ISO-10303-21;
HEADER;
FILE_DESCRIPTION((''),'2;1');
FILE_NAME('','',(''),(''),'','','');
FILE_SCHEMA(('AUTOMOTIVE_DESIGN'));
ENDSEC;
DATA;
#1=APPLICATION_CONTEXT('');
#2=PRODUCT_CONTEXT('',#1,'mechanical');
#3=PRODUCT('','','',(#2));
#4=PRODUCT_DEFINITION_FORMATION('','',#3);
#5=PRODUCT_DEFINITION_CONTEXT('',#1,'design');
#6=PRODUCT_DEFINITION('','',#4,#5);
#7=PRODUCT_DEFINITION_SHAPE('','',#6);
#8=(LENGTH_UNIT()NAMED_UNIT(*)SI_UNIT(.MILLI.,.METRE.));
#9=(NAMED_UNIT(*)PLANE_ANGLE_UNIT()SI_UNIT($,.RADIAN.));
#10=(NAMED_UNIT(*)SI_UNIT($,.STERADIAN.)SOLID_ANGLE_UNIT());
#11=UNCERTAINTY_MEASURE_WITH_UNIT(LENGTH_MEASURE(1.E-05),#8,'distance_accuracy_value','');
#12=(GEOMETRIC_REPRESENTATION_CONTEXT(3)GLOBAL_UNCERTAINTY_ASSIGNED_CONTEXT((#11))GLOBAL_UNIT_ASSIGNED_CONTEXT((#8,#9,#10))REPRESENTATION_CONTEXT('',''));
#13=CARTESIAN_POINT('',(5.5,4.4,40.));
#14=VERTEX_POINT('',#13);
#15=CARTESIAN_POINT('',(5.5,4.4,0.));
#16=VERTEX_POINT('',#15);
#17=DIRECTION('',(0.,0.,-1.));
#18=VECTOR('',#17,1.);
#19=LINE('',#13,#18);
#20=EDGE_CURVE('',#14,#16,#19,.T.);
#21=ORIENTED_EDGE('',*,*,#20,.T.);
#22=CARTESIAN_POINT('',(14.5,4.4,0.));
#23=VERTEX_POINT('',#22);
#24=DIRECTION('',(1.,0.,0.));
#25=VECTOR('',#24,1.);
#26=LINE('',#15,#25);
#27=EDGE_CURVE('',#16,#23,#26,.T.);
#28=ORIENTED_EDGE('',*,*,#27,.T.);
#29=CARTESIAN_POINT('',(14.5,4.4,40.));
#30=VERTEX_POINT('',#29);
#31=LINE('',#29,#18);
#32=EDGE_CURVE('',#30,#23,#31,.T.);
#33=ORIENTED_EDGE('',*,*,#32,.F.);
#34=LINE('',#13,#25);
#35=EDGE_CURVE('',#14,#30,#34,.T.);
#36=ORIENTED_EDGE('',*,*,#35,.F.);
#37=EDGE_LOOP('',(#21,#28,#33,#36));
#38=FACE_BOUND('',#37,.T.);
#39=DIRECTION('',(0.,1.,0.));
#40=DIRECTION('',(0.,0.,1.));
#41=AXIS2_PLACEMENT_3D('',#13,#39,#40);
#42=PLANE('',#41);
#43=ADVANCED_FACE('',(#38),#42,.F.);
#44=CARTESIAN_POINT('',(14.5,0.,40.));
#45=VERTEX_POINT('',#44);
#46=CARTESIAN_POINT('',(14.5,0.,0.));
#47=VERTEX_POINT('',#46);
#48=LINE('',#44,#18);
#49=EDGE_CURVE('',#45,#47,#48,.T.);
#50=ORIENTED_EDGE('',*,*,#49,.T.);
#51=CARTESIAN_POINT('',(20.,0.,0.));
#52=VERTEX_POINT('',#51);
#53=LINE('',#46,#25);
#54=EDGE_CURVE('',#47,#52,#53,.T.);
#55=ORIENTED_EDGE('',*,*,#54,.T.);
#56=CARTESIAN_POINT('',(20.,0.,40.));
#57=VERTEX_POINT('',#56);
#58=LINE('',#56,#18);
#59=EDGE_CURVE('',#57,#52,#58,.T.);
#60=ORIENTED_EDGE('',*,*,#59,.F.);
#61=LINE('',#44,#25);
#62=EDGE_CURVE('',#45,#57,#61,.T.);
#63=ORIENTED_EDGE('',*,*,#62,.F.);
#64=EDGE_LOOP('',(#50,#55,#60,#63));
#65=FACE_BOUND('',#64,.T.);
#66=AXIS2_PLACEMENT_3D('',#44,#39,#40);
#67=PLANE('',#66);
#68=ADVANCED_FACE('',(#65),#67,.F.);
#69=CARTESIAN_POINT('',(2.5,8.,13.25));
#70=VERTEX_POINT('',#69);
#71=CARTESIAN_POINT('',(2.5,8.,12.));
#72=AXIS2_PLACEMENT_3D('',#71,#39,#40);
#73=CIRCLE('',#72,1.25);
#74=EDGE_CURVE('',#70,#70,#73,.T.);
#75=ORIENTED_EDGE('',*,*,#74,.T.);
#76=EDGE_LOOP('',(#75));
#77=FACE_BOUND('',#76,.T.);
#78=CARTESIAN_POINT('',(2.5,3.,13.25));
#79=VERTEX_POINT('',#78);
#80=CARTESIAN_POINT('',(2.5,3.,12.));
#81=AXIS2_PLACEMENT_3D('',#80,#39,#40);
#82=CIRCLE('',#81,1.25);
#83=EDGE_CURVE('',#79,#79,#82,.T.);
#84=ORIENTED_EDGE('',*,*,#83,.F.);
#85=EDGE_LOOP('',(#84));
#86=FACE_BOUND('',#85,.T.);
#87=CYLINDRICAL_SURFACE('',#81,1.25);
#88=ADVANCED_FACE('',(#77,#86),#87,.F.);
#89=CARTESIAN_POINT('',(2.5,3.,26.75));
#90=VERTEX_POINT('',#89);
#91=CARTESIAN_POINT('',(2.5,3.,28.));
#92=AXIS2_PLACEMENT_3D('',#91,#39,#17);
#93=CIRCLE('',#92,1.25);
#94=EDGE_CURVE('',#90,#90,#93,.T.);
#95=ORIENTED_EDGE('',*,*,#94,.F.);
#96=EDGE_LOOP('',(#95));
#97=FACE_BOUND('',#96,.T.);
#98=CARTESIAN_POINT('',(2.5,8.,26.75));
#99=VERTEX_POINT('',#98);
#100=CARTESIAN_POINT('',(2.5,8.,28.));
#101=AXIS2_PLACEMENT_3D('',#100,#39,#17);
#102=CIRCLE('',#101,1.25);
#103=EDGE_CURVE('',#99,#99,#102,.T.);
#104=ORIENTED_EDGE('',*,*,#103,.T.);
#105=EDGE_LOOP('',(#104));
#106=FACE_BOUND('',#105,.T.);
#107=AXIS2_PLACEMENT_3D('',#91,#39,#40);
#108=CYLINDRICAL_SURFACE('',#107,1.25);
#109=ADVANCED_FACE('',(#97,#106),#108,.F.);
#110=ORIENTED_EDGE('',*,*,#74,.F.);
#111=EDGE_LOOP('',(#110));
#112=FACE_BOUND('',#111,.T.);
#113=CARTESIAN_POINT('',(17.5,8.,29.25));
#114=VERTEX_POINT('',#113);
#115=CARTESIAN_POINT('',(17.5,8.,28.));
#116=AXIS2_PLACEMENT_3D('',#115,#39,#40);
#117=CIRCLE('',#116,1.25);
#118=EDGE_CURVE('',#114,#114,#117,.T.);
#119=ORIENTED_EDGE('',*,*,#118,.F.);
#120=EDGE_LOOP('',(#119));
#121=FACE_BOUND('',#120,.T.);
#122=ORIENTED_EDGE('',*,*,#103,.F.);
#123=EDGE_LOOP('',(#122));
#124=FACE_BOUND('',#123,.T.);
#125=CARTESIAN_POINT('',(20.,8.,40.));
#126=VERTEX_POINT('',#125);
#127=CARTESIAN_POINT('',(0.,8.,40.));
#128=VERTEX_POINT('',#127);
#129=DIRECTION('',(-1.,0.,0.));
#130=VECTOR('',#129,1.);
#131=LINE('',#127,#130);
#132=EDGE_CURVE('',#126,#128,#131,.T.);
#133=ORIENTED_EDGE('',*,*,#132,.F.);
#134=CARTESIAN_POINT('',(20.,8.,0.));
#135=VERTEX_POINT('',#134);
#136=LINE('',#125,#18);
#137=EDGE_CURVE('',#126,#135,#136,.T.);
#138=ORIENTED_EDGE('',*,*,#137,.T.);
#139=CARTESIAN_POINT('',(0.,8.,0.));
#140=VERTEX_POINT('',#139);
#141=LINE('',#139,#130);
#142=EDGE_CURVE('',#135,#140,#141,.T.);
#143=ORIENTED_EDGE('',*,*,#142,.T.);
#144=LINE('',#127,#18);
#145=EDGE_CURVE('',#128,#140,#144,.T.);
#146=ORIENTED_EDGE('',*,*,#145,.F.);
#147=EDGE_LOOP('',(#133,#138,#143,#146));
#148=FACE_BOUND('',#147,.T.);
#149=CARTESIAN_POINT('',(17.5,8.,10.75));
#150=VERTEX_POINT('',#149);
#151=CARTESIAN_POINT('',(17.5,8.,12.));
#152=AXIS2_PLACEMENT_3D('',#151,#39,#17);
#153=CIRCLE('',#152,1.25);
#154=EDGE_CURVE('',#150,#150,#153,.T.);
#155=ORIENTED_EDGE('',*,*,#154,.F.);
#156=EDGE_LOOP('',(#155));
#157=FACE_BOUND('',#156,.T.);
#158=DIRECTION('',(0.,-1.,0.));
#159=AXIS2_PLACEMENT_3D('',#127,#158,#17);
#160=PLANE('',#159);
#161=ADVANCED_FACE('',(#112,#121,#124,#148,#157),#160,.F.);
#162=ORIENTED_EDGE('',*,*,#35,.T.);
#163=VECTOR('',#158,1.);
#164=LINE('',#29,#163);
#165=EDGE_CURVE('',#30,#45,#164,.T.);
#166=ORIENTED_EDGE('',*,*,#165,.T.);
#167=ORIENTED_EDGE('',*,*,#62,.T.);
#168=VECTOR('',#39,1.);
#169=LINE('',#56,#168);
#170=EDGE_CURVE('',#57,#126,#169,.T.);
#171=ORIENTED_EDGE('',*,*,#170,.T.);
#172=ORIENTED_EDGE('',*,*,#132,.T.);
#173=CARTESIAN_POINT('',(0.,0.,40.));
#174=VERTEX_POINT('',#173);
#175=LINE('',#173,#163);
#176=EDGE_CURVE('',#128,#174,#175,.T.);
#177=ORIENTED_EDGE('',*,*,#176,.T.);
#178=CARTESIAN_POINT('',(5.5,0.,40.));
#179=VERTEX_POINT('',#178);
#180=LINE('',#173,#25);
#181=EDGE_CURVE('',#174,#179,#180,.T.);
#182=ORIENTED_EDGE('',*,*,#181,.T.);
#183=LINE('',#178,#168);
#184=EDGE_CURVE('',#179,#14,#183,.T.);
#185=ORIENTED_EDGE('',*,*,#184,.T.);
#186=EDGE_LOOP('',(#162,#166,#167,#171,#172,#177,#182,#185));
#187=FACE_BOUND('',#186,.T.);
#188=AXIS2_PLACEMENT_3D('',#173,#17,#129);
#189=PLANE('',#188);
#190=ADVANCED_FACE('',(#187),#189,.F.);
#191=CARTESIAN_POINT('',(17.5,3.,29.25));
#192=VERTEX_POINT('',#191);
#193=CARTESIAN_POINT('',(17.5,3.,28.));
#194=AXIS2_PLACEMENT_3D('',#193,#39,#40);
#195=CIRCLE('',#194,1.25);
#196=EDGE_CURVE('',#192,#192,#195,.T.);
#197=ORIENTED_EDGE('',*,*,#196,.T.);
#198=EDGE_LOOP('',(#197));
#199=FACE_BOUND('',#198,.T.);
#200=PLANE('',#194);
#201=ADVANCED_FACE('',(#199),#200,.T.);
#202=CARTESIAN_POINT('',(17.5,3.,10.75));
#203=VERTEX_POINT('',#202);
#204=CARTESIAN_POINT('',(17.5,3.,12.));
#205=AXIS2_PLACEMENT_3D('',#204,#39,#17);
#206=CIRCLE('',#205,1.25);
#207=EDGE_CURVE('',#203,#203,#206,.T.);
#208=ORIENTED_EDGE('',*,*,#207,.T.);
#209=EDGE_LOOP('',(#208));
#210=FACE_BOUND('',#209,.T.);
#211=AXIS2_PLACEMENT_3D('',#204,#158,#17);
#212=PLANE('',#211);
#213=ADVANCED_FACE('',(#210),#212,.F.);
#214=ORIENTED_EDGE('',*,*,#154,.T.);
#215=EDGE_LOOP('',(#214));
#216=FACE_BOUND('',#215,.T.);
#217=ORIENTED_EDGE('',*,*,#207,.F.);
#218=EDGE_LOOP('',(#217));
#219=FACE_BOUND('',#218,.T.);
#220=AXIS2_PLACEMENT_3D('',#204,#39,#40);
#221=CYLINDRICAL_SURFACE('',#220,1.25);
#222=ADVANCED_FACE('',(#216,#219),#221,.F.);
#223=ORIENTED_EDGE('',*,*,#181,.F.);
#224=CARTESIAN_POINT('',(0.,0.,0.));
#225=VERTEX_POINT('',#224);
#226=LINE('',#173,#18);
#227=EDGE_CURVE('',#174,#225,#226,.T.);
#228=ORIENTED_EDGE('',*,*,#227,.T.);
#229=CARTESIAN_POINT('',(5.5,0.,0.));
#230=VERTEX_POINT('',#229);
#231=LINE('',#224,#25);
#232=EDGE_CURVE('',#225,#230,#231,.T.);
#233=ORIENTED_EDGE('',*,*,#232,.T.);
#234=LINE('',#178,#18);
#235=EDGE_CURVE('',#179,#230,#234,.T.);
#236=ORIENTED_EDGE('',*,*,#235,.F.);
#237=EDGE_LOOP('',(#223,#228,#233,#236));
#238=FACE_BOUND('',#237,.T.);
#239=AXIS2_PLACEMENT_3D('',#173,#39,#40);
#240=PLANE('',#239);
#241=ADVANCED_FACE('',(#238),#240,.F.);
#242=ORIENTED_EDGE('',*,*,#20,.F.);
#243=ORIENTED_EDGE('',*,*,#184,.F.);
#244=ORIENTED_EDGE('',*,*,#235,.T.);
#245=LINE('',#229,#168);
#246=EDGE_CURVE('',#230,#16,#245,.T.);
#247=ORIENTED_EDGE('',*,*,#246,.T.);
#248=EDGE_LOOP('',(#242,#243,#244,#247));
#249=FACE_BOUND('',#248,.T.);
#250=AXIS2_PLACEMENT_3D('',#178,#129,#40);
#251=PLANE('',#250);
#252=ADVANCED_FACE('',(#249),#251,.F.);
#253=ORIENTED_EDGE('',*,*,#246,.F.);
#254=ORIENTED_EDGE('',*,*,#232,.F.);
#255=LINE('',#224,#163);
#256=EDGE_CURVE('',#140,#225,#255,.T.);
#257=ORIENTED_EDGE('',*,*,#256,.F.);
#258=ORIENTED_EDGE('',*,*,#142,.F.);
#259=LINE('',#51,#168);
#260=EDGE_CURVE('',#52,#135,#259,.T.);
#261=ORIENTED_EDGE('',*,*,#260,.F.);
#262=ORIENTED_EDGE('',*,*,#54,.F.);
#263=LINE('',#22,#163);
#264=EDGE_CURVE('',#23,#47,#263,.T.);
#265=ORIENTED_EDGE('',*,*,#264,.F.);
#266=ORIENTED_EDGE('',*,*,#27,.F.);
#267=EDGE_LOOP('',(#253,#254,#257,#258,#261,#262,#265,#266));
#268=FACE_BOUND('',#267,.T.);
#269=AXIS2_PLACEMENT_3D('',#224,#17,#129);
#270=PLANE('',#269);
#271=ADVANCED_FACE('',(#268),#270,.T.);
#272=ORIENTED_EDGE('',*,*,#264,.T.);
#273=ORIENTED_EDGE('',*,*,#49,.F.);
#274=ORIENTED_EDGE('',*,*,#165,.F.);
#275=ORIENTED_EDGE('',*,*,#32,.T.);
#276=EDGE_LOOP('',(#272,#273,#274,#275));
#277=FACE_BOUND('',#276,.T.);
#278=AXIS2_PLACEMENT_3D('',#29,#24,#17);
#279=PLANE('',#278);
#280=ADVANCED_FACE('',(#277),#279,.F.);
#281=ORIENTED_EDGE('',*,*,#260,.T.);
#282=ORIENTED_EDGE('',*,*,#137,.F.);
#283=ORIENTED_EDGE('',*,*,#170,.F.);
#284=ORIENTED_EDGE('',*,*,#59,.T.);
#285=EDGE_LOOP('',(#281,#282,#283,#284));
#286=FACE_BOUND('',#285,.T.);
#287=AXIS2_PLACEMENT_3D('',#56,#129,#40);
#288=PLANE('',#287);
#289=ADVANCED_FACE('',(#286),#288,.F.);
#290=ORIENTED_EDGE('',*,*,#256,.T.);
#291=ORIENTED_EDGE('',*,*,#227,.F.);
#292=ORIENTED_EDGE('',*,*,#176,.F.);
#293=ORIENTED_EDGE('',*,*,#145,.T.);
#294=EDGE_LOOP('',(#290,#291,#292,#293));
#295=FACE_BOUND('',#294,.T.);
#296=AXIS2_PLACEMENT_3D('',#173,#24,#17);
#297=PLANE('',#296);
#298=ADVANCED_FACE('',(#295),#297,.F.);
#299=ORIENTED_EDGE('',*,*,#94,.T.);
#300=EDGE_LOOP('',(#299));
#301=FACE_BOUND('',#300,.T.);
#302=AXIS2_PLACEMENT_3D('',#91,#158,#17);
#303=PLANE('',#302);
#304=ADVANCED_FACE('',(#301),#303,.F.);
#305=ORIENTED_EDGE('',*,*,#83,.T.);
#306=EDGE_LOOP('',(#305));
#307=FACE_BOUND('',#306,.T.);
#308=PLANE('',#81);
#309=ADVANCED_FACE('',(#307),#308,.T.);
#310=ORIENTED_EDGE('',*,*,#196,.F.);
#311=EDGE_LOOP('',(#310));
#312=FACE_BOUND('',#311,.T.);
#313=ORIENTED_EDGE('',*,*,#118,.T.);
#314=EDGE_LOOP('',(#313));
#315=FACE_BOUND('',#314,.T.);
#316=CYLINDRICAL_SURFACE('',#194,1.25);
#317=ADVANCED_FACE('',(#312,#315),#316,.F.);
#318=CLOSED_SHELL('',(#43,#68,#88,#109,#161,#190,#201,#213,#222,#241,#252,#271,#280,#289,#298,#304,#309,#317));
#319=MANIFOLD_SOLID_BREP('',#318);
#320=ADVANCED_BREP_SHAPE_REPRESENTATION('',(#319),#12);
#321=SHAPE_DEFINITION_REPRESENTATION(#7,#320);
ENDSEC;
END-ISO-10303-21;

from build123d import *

# Parameters (mm, degrees)
BOSS_EXTRUDE1_DEPTH = 40
SKETCH2_R           = 1.25
CUT_EXTRUDE1_DEPTH  = 5


with BuildPart() as part:
    # Sketch1 → Boss-Extrude1 (new body)
    with BuildSketch(Plane.XY):
        Polygon((0, 0), (5.5, 0), (5.5, 4.4), (14.5, 4.4), (14.5, 0), (20, 0), (20, 8), (0, 8), align=None)
    extrude(amount=BOSS_EXTRUDE1_DEPTH)

    # Sketch2 → Cut-Extrude1 (cut)
    with BuildSketch(Plane(origin=(0, 8, 0), x_dir=(1, 0, 0), z_dir=(0, 1, 0))):
        with Locations(Location((2.5, -12, 0), (0, 0, 270))):
            Circle(SKETCH2_R)
        with Locations(Location((17.5, -12, 0), (0, 0, 90))):
            Circle(SKETCH2_R)
        with Locations(Location((17.5, -28, 0), (0, 0, 270))):
            Circle(SKETCH2_R)
        with Locations(Location((2.5, -28, 0), (0, 0, 90))):
            Circle(SKETCH2_R)
    extrude(amount=-CUT_EXTRUDE1_DEPTH, mode=Mode.SUBTRACT)


solid = part.part
